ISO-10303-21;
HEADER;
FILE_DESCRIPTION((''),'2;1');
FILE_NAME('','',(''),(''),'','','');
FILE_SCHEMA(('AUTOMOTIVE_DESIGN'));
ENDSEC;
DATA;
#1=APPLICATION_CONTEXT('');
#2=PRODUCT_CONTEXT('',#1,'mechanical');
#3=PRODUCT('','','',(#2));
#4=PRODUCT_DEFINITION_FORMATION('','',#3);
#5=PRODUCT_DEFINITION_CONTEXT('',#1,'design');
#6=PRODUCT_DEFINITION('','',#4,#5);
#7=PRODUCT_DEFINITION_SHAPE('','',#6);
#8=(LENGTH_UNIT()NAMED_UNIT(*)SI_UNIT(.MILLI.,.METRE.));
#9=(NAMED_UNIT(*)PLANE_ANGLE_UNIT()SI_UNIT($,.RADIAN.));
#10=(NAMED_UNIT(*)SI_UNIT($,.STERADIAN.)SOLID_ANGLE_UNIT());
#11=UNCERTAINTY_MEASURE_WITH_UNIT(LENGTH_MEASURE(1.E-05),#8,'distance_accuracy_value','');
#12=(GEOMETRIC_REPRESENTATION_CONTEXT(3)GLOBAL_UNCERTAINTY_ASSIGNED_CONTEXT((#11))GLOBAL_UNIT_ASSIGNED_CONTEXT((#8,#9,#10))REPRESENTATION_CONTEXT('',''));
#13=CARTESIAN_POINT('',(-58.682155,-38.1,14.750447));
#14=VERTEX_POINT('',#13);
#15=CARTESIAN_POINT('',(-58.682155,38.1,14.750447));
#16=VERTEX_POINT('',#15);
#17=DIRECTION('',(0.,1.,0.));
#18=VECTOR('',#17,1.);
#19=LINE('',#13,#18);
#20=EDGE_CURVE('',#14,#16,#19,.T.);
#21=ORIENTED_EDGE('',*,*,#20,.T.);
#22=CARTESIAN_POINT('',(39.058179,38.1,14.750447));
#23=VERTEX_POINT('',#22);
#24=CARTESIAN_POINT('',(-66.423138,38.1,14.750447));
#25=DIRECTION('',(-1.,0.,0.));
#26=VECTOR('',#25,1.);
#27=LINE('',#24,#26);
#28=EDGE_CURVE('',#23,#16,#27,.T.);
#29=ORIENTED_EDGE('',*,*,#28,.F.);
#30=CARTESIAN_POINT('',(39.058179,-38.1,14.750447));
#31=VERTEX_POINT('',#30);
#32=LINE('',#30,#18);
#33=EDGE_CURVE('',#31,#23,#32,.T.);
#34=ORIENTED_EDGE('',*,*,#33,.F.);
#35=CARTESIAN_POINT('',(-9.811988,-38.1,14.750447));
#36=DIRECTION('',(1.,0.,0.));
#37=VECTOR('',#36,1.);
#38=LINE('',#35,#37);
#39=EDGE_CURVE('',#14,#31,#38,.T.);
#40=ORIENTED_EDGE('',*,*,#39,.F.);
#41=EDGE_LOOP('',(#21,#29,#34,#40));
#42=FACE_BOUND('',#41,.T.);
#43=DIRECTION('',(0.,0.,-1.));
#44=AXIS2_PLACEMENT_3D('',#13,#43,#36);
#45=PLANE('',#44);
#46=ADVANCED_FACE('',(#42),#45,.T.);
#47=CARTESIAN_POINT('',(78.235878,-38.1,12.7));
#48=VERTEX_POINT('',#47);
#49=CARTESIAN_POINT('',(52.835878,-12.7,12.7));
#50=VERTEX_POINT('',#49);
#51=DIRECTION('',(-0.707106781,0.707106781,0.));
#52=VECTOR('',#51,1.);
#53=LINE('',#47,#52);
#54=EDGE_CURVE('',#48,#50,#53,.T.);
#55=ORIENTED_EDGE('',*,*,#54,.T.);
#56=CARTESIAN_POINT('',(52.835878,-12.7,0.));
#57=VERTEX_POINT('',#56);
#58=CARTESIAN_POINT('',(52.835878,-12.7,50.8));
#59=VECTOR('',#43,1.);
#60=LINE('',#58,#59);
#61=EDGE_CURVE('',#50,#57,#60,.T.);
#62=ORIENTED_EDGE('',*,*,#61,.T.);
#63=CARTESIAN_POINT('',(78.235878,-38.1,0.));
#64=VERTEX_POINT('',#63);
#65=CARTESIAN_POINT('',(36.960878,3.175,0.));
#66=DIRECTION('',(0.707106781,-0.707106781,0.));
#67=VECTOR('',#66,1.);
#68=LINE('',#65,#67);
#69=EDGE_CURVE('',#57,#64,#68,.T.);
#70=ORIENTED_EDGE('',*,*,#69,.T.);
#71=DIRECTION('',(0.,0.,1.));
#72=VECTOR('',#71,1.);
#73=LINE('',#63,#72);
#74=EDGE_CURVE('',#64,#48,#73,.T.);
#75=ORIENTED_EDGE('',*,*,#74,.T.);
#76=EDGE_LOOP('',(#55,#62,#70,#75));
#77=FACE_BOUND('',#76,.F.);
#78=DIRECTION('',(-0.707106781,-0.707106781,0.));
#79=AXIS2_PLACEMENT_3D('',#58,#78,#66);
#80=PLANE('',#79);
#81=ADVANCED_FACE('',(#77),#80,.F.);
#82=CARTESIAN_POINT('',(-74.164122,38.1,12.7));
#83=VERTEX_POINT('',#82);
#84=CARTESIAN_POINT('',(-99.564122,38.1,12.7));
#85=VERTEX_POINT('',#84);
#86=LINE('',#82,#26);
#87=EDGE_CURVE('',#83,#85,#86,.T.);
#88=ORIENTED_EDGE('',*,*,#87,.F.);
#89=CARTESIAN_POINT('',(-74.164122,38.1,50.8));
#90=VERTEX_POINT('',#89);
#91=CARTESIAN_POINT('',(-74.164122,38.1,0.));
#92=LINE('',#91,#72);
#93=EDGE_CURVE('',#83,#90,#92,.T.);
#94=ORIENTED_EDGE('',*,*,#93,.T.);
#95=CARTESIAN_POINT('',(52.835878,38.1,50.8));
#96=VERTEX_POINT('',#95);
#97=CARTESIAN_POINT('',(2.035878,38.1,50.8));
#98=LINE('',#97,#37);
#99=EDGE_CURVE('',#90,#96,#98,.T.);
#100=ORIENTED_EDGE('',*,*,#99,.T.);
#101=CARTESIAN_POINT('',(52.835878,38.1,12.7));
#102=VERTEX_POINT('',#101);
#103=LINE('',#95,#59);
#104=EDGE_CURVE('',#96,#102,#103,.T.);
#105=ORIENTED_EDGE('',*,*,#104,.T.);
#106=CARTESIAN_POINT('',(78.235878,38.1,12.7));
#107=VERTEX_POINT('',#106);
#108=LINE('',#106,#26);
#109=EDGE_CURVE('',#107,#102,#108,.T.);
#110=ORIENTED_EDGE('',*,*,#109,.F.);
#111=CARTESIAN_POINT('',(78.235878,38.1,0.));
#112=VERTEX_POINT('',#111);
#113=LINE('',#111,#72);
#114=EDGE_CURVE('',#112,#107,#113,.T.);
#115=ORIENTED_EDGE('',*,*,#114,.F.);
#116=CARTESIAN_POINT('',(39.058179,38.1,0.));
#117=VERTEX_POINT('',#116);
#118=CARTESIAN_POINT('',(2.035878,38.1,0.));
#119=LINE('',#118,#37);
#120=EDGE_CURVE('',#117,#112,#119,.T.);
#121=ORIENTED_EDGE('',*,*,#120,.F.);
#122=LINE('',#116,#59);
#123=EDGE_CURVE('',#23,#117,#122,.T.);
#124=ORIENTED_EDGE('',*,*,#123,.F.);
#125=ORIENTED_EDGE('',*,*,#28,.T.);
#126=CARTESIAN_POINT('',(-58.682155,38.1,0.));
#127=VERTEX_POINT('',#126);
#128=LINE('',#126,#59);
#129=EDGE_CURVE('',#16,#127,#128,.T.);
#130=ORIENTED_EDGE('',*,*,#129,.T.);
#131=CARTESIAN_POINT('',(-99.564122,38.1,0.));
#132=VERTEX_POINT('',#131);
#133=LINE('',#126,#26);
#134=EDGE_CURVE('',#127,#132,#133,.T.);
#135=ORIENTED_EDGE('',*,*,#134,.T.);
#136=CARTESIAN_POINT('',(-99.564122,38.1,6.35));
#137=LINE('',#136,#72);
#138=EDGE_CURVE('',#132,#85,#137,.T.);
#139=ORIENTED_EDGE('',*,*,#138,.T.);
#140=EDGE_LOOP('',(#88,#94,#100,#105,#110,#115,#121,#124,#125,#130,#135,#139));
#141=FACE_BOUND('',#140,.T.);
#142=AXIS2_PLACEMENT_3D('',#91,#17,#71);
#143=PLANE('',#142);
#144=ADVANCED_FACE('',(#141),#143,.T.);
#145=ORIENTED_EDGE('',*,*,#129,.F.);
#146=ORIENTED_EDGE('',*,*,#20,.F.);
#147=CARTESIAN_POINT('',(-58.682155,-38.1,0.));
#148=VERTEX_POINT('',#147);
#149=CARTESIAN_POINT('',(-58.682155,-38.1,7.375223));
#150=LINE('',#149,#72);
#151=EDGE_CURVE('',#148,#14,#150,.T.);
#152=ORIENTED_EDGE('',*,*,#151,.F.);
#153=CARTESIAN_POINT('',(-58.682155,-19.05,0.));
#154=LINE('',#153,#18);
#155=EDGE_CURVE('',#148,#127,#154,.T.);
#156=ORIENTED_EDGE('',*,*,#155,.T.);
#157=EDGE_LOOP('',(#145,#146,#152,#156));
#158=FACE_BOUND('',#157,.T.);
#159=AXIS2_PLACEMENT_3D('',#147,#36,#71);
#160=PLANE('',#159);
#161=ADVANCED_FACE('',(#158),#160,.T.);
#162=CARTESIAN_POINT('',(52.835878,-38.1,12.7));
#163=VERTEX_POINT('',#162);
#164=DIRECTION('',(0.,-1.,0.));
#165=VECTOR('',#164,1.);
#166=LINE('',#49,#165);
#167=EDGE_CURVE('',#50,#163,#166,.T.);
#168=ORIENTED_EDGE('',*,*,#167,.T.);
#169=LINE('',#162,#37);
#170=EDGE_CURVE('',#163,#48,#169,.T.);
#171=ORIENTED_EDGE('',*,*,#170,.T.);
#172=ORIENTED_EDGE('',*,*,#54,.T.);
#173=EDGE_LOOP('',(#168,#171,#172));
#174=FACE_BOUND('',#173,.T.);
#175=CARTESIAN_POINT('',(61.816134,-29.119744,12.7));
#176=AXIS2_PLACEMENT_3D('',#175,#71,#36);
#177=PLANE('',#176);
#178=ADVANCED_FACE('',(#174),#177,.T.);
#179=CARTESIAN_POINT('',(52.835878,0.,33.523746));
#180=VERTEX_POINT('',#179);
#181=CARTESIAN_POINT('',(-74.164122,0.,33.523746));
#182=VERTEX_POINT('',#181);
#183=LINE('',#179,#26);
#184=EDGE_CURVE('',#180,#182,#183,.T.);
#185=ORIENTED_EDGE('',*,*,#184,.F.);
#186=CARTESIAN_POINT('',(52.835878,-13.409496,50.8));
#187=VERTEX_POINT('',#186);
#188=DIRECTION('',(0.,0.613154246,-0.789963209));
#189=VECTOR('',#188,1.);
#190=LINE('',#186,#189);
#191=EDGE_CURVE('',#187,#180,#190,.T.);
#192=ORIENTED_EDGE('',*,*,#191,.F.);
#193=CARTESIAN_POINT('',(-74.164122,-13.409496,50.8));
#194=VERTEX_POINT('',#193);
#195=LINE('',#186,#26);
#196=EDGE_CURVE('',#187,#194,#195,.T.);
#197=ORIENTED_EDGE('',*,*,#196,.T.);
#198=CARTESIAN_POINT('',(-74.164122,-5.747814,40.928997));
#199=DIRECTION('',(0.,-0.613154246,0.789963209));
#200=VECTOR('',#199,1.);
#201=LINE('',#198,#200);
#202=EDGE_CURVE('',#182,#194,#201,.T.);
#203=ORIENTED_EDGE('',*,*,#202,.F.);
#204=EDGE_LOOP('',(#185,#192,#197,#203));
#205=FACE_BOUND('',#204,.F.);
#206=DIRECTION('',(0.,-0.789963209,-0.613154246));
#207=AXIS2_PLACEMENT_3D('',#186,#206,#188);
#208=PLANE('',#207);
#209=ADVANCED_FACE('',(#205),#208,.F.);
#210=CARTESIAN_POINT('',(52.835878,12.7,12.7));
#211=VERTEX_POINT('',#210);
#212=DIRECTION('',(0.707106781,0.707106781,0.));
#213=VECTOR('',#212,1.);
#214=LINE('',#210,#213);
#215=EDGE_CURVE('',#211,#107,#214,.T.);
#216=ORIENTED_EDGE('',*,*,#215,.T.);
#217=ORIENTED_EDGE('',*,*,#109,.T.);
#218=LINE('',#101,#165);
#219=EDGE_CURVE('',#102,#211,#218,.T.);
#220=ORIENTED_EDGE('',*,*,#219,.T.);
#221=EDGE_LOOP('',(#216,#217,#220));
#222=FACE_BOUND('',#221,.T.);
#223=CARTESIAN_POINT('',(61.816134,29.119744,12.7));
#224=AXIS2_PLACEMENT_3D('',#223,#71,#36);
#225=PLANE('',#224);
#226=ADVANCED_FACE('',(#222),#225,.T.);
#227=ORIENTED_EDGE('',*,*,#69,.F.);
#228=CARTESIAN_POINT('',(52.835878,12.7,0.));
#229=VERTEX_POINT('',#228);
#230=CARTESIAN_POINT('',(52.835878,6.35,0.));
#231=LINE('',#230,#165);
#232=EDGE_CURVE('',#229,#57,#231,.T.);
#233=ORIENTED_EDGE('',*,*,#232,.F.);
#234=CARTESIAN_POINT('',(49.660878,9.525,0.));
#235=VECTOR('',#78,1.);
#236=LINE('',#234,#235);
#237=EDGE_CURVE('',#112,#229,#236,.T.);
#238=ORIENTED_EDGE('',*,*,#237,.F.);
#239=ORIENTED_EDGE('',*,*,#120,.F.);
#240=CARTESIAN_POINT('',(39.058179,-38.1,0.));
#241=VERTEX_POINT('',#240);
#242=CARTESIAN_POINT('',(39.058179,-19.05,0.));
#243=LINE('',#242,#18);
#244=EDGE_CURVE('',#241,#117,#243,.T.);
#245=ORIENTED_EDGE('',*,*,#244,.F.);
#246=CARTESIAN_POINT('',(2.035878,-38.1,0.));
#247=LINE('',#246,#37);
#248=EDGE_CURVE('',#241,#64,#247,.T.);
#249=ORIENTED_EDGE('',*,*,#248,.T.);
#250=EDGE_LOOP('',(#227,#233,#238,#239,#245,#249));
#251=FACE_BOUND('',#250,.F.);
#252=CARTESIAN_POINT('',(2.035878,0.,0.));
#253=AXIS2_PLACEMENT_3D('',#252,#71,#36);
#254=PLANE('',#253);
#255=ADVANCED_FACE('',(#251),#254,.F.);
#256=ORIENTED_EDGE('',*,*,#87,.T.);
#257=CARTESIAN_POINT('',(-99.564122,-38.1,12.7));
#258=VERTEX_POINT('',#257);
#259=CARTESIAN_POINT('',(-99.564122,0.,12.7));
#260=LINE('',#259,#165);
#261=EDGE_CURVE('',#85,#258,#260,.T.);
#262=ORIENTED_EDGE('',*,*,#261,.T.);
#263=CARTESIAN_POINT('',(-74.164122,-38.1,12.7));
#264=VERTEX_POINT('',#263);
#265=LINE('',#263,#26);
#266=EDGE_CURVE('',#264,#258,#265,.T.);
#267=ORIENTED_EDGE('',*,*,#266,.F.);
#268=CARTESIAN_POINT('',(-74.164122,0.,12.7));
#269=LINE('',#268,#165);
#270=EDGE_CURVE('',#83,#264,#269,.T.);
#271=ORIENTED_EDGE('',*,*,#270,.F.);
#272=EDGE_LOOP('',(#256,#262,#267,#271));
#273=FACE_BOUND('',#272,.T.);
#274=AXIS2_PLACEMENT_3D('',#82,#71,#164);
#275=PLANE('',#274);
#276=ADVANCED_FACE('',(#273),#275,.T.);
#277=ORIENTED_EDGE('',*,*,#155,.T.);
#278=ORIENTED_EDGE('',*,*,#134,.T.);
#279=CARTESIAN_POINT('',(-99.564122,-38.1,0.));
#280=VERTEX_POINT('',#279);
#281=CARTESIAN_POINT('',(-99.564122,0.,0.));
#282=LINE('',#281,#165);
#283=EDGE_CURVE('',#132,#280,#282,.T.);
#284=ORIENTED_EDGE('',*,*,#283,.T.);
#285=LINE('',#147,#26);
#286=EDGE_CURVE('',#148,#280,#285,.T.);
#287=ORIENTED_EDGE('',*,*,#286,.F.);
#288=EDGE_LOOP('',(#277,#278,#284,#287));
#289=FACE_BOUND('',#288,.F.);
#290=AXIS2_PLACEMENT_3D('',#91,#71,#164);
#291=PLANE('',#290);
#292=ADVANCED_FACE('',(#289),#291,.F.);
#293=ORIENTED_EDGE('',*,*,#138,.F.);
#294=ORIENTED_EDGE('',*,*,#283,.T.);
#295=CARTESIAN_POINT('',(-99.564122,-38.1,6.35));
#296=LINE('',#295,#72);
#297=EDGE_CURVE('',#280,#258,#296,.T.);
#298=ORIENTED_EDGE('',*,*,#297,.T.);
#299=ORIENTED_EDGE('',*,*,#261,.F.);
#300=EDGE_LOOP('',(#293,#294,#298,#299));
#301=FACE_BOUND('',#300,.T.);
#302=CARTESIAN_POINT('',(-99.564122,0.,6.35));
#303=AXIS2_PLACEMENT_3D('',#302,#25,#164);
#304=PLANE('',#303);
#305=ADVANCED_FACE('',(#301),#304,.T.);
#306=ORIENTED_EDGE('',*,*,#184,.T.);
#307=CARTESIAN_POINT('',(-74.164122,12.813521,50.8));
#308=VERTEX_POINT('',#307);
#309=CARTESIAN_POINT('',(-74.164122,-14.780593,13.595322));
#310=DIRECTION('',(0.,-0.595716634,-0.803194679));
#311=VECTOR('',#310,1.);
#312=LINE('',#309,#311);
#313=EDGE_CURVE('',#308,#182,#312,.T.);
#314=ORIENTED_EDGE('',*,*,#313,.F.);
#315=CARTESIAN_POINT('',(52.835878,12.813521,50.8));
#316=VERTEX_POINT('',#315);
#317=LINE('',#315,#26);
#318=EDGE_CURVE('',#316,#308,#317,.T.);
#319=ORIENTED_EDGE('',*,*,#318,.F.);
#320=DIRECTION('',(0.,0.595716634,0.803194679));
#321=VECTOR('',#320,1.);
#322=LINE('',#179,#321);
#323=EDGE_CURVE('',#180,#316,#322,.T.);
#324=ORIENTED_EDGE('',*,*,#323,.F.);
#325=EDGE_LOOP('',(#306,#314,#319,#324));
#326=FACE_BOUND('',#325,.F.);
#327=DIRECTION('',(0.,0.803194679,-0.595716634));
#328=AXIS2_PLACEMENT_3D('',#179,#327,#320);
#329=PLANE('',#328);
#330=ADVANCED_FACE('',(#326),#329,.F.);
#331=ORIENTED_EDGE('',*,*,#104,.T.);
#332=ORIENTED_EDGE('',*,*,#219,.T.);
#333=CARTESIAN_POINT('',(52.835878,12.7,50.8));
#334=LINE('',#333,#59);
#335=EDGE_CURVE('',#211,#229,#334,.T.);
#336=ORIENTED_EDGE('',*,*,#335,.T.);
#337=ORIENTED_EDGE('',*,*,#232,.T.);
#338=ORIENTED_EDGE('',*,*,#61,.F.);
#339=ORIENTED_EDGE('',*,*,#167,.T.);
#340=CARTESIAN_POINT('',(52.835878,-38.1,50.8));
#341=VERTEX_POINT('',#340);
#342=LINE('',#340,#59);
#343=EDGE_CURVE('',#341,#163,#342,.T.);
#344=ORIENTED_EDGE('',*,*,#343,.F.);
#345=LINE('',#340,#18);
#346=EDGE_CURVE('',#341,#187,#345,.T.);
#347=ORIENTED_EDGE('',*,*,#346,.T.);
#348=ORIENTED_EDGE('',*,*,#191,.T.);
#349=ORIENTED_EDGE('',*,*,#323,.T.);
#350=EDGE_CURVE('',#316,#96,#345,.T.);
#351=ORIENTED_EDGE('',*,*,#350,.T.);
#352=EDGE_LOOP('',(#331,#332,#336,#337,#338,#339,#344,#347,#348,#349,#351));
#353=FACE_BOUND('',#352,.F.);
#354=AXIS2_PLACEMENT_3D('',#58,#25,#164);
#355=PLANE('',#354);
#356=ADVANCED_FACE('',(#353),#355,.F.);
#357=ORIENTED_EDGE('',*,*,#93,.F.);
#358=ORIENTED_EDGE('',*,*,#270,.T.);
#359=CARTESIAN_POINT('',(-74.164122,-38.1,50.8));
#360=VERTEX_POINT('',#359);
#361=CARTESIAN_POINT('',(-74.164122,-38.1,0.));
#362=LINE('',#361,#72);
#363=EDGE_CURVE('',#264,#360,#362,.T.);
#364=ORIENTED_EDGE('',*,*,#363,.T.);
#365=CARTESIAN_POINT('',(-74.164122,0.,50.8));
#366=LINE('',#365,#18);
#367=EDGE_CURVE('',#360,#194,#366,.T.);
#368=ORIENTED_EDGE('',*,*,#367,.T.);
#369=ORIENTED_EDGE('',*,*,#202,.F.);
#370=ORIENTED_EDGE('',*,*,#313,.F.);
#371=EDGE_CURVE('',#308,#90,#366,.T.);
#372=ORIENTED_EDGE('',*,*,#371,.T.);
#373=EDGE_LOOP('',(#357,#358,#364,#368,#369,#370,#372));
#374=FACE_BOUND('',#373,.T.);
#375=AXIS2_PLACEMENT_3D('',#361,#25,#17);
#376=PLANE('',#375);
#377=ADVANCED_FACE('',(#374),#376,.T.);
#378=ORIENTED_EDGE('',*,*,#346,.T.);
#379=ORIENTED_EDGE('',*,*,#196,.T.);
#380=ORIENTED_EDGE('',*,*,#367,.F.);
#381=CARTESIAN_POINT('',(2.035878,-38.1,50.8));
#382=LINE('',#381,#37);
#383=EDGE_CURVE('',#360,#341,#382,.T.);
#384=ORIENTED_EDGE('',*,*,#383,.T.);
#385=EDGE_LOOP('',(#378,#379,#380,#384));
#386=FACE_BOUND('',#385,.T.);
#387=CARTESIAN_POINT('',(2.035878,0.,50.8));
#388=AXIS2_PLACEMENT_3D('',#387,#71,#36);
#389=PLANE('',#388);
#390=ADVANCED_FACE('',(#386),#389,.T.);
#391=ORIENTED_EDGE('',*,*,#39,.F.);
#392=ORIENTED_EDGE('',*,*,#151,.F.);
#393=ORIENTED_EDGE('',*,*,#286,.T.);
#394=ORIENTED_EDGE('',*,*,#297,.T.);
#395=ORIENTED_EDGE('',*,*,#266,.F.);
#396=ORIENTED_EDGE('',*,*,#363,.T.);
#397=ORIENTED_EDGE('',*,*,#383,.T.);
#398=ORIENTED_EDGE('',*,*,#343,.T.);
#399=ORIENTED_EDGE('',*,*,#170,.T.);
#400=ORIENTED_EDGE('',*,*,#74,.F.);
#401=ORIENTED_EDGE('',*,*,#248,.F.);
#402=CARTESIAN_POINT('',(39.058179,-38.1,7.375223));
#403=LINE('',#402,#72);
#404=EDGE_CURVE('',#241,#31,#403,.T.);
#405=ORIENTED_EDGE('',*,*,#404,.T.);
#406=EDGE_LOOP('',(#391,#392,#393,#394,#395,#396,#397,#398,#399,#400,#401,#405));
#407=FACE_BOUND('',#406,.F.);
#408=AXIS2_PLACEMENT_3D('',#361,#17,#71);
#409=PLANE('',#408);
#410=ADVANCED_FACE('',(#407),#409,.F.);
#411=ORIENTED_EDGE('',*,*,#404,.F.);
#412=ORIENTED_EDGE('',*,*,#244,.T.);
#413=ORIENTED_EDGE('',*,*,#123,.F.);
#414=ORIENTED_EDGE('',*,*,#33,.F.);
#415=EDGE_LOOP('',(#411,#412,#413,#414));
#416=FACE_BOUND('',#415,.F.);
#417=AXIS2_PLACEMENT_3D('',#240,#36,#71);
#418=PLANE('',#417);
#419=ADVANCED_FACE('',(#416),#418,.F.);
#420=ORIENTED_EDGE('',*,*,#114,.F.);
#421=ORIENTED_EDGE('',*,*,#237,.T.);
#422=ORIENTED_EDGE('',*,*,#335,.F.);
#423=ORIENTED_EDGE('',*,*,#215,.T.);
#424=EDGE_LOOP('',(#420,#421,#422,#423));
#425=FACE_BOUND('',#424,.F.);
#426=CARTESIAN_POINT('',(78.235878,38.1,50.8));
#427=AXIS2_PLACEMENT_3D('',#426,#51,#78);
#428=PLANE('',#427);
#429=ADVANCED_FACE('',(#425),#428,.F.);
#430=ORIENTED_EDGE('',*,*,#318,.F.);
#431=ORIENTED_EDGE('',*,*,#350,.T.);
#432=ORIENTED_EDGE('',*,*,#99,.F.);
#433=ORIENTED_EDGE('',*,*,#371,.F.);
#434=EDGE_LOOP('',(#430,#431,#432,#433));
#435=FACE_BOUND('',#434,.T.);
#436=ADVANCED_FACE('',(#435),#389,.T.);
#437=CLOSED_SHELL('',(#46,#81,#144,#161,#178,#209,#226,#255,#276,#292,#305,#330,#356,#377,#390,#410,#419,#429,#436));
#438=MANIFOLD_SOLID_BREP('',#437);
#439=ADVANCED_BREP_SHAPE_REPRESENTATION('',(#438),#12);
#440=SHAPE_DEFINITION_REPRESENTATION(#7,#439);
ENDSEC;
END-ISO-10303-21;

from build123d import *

# Parameters (mm, degrees)
F0_W      = 152.4
F0_H      = 76.2
F1_DEPTH  = 50.8
F3_DEPTH  = 50.801
F4_DEPTH  = 38.1
F5_DEPTH  = 38.1
F7_DEPTH  = 127.001
F8_W      = 97.740334
F8_H      = 14.750447
F9_DEPTH  = 76.201
F10_W     = 76.2
F10_H     = 12.7
F11_DEPTH = 25.4


with BuildPart() as f1:
    # F0 (on Top) → F1 (new body)
    with BuildSketch(Plane.XY):
        with Locations((2.035878, 0)):
            Rectangle(F0_W, F0_H)
    extrude(amount=F1_DEPTH)

    # F2 (on face) → F3 (cut, through all)
    with BuildSketch(Plane.XY.offset(50.8)):
        Polygon((78.235878, -38.1), (78.235878, 38.1), (52.835878, 12.7), (52.835878, -12.7), align=None)
    extrude(amount=-F3_DEPTH, mode=Mode.SUBTRACT)

    # F2 (on face) → F4 (cut)
    with BuildSketch(Plane.XY.offset(50.8)):
        Polygon((52.835878, 12.7), (78.235878, 38.1), (52.835878, 38.1), align=None)
    extrude(amount=-F4_DEPTH, mode=Mode.SUBTRACT)

    # F2 (on face) → F5 (cut)
    with BuildSketch(Plane.XY.offset(50.8)):
        Polygon((52.835878, -38.1), (78.235878, -38.1), (52.835878, -12.7), align=None)
    extrude(amount=-F5_DEPTH, mode=Mode.SUBTRACT)

    # F6 (on face) → F7 (cut, through all)
    with BuildSketch(Plane.YZ.offset(52.835878)):
        Polygon((12.813521, 50.8), (-13.409496, 50.8), (0, 33.523746), align=None)
    extrude(amount=-F7_DEPTH, mode=Mode.SUBTRACT)

    # F8 (on face) → F9 (cut, through all)
    with BuildSketch(Plane.XZ.offset(38.1)):
        with Locations((-9.811988, 7.375223)):
            Rectangle(F8_W, F8_H)
    extrude(amount=-F9_DEPTH, mode=Mode.SUBTRACT)

    # F10 (on face) → F11 (join)
    with BuildSketch(Plane(origin=(-74.164122, 0, 0), x_dir=(0, -1, 0), z_dir=(-1, 0, 0))):
        with Locations((0, 6.35)):
            Rectangle(F10_W, F10_H)
    extrude(amount=F11_DEPTH)


solid = f1.part
